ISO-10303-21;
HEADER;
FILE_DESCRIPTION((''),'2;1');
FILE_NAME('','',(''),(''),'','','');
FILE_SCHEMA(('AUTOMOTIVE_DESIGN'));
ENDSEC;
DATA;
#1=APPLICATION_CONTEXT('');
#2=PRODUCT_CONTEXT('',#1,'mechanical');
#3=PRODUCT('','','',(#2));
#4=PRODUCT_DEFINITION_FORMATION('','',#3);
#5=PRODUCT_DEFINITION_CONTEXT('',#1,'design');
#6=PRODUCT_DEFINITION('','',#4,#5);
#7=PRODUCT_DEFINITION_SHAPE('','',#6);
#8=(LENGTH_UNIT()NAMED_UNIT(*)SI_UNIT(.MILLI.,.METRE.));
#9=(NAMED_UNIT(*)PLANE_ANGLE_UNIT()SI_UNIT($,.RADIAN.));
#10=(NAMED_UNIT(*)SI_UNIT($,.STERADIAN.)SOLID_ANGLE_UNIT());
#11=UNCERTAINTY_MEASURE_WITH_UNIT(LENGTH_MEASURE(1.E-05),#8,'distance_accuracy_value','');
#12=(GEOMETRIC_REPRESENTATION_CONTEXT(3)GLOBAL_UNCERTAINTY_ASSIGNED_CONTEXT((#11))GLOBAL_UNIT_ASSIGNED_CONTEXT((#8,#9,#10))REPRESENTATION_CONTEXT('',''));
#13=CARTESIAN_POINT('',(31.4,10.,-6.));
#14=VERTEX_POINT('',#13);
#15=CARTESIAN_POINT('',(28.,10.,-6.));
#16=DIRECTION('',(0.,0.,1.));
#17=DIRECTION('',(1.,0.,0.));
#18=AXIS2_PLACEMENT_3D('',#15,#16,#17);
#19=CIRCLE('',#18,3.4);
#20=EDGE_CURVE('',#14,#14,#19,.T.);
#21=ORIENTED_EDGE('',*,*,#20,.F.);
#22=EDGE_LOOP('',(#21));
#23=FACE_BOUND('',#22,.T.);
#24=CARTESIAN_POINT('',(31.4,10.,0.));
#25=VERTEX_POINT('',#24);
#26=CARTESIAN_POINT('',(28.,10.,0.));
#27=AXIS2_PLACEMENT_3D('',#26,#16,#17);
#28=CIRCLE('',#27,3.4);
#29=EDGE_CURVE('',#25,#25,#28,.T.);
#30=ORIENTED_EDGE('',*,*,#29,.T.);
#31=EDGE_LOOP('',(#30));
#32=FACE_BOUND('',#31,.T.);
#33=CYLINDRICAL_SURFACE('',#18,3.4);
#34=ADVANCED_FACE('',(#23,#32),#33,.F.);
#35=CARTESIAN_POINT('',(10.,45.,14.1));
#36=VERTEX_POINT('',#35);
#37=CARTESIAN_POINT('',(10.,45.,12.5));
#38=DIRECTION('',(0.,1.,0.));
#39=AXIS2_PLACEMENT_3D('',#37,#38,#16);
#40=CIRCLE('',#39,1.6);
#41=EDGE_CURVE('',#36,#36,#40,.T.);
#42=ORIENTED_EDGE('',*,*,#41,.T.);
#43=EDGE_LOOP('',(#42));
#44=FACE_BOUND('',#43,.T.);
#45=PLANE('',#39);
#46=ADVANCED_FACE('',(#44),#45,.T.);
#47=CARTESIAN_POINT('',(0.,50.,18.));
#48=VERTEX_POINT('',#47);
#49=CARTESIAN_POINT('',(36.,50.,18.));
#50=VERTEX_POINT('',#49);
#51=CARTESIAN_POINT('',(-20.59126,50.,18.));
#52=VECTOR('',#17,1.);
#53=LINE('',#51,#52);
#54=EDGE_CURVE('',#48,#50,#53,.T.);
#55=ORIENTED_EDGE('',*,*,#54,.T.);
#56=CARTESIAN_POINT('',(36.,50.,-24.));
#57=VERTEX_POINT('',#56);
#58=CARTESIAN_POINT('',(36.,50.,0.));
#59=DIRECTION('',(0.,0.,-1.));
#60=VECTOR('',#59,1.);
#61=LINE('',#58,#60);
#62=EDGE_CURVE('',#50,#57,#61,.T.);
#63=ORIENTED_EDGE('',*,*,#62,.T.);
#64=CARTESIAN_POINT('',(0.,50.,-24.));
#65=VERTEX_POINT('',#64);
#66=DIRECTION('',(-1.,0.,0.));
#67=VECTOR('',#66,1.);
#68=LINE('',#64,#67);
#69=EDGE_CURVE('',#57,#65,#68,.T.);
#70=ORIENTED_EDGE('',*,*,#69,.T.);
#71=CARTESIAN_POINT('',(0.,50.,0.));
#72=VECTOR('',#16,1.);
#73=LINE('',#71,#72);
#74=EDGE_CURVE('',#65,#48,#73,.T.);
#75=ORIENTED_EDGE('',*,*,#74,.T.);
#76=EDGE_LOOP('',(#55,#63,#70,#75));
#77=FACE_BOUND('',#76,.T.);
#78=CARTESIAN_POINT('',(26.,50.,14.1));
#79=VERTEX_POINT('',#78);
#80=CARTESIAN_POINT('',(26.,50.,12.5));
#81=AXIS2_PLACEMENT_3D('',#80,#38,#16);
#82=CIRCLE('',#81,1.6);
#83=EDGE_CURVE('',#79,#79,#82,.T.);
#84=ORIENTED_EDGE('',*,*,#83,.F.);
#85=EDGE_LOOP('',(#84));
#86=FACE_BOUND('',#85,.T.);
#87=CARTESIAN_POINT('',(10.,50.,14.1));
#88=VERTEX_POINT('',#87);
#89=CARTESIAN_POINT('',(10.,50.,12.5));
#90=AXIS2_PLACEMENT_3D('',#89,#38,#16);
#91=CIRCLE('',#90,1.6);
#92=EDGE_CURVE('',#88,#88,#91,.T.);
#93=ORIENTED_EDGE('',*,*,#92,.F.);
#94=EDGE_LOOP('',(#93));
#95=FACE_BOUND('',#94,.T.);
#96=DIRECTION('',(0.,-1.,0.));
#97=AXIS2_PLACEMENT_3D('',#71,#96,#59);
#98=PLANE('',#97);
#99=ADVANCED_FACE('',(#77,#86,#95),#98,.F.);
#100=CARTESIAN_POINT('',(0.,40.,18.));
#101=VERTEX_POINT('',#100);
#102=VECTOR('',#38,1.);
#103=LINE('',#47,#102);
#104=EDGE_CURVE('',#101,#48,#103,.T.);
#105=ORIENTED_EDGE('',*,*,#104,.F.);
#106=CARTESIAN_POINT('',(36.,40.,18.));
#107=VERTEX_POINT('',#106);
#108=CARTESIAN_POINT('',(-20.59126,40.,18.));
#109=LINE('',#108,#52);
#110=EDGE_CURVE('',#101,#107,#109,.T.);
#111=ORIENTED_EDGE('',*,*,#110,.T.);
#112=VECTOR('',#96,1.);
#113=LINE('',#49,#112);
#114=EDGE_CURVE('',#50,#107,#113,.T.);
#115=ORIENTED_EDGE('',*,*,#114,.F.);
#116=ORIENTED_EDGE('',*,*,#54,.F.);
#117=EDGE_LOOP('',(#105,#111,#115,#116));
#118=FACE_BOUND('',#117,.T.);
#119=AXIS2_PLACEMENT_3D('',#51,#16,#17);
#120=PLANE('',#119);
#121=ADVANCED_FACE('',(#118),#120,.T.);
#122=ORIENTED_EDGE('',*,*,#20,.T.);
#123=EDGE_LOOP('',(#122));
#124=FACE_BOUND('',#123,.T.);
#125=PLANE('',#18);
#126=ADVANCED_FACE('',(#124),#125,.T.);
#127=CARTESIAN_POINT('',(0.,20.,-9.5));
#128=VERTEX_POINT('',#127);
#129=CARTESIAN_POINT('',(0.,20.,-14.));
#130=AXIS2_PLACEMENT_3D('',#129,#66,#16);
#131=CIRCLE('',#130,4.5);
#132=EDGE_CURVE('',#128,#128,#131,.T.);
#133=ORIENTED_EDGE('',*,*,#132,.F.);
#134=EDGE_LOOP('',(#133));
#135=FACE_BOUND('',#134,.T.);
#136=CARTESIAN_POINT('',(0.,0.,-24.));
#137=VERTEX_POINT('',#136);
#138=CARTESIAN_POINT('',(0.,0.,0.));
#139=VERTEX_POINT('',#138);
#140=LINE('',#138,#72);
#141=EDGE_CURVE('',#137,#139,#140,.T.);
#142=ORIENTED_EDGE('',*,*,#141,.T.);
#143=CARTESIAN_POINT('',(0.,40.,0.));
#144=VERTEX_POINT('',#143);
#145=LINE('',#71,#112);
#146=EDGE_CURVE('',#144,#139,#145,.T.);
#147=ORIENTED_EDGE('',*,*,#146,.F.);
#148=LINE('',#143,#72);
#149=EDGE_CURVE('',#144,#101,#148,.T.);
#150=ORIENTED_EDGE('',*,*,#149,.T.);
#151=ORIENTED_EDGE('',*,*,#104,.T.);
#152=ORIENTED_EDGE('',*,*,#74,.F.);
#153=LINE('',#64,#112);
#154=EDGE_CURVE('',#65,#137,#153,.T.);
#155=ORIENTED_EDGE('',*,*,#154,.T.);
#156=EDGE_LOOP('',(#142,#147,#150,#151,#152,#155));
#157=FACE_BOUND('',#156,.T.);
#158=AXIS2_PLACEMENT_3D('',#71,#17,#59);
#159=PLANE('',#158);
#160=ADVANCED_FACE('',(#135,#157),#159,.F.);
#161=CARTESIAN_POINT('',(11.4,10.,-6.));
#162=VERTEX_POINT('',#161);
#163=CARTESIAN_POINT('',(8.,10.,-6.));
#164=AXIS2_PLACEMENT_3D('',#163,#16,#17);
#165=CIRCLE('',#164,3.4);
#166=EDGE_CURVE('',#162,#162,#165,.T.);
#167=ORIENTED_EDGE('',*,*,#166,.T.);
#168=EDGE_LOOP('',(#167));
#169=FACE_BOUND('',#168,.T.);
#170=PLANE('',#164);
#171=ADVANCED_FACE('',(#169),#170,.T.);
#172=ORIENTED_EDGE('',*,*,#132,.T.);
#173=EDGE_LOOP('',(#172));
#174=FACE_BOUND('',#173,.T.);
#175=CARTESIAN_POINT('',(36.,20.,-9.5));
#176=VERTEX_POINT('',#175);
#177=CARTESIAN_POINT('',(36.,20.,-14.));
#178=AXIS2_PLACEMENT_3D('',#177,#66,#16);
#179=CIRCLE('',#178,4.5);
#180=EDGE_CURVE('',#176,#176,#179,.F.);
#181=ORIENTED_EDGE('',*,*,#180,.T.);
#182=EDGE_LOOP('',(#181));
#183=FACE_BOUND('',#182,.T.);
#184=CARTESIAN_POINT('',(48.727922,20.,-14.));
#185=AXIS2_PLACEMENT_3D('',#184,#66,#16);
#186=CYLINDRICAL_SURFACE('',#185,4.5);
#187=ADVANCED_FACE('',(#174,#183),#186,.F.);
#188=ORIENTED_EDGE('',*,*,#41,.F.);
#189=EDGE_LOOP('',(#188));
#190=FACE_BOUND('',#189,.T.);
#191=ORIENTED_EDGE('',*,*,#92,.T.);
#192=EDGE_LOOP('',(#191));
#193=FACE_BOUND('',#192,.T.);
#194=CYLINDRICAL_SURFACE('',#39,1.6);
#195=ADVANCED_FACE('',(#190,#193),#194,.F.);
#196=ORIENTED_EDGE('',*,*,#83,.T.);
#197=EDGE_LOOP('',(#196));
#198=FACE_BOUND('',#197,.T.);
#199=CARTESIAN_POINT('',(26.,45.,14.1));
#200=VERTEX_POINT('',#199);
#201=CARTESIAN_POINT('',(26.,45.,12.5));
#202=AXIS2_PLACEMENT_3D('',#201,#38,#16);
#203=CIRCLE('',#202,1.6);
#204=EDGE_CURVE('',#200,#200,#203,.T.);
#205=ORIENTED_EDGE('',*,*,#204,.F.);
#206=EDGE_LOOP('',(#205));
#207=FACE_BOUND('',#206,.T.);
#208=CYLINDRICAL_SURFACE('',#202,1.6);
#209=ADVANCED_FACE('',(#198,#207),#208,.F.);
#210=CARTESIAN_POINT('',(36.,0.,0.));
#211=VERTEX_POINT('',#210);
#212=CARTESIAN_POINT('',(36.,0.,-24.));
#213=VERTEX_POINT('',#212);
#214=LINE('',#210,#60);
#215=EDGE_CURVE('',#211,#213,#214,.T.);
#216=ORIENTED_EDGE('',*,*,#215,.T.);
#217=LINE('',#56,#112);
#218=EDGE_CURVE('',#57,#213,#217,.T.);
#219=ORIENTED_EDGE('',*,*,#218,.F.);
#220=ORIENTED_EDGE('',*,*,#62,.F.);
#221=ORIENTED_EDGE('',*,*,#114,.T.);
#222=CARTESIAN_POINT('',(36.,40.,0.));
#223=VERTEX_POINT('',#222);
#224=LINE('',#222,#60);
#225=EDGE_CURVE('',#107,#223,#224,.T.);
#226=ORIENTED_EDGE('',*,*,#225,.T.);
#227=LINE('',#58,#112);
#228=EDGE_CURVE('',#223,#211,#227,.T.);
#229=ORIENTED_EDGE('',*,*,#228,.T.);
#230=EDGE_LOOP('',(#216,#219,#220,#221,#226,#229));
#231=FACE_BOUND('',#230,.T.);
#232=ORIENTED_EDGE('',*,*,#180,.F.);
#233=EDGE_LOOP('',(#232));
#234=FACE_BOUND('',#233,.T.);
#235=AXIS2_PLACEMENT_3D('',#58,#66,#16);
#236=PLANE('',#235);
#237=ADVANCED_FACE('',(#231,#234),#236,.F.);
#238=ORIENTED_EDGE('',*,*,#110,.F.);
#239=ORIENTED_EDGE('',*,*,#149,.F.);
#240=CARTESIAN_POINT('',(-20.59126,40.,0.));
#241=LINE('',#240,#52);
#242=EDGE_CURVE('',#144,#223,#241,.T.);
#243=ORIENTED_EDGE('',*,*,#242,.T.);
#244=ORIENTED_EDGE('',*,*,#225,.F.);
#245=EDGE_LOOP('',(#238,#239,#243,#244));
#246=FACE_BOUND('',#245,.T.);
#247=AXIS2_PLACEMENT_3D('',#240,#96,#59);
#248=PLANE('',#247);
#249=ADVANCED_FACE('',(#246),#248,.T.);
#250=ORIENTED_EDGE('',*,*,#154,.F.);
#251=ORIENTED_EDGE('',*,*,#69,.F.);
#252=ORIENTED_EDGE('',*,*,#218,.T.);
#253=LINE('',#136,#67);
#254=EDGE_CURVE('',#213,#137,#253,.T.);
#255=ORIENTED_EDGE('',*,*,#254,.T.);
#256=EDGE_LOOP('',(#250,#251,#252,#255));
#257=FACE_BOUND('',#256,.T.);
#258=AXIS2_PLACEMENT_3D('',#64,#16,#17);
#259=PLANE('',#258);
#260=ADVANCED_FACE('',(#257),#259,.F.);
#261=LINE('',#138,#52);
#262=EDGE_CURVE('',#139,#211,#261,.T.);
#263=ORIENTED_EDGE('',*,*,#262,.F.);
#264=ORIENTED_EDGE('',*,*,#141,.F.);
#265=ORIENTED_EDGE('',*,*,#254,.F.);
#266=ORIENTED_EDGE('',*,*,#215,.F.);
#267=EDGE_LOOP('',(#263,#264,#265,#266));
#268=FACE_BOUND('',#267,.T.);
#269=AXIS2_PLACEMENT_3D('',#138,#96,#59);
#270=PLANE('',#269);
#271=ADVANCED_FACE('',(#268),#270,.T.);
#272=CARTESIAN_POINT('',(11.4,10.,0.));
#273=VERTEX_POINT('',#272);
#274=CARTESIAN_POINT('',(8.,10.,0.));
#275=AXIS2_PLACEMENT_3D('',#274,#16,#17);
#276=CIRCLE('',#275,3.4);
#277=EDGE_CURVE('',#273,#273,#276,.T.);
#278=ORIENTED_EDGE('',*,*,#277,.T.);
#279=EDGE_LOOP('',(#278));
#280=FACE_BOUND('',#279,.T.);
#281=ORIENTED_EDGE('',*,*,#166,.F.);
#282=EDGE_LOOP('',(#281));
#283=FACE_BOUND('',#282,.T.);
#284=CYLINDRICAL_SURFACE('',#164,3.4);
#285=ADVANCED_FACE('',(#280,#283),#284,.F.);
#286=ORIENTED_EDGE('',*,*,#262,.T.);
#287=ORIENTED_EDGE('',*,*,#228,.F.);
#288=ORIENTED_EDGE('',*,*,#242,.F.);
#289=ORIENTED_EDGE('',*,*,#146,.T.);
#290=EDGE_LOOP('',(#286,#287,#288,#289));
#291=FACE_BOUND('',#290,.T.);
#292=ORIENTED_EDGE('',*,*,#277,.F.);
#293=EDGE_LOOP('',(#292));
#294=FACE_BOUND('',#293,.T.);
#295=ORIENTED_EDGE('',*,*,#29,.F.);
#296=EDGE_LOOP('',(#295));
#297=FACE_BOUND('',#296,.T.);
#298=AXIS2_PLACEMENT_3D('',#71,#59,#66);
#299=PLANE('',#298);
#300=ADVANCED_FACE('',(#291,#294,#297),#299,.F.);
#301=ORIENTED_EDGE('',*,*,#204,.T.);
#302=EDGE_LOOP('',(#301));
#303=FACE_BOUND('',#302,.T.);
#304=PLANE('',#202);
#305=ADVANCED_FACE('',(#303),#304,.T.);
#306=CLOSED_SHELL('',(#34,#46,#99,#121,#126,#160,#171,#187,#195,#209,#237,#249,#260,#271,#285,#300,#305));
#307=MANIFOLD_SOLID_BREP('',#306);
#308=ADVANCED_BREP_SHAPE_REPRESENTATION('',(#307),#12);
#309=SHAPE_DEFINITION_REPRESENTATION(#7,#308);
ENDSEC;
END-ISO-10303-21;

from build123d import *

# Parameters (mm, degrees)
SKETCH_1_W          = 36
SKETCH_1_H          = 24
EXTRUDE_1_DEPTH     = 50
SKETCH_2_R          = 4.5
CUT_EXTRUDE_1_DEPTH = 36
SKETCH_3_R          = 3.4
CUT_EXTRUDE_2_DEPTH = 6
SKETCH_5_W          = 18
SKETCH_5_H          = 10
EXTRUDE_2_DEPTH     = 36
SKETCH_6_R          = 1.6
CUT_EXTRUDE_3_DEPTH = 5


with BuildPart() as part:
    # 草图1 → 凸台-拉伸1 (new body)
    with BuildSketch(Plane(origin=(0, 0, 0), x_dir=(1, 0, 0), z_dir=(0, 1, 0))):
        with Locations((18, 12)):
            Rectangle(SKETCH_1_W, SKETCH_1_H)
    extrude(amount=EXTRUDE_1_DEPTH)

    # 草图2 → 切除-拉伸1 (cut)
    with BuildSketch(Plane.ZY):
        with Locations((-14, 20)):
            Circle(SKETCH_2_R)
    extrude(amount=-CUT_EXTRUDE_1_DEPTH, mode=Mode.SUBTRACT)

    # 草图3 → 切除-拉伸2 (cut)
    with BuildSketch(Plane.XY):
        with Locations((8, 10)):
            Circle(SKETCH_3_R)
        with Locations((28, 10)):
            Circle(SKETCH_3_R)
    extrude(amount=-CUT_EXTRUDE_2_DEPTH, mode=Mode.SUBTRACT)

    # 草图5 → 凸台-拉伸2 (add)
    with BuildSketch(Plane(origin=(36, 0, 0), x_dir=(0, 0, -1), z_dir=(1, 0, 0))):
        with Locations((-9, 45)):
            Rectangle(SKETCH_5_W, SKETCH_5_H)
    extrude(amount=-EXTRUDE_2_DEPTH)

    # 草图6 → 切除-拉伸3 (cut)
    with BuildSketch(Plane(origin=(0, 50, 0), x_dir=(1, 0, 0), z_dir=(0, 1, 0))):
        with Locations(Location((26, -12.5, 0), (0, 0, 270))):
            Circle(SKETCH_6_R)
        with Locations(Location((10, -12.5, 0), (0, 0, 270))):
            Circle(SKETCH_6_R)
    extrude(amount=-CUT_EXTRUDE_3_DEPTH, mode=Mode.SUBTRACT)


solid = part.part
